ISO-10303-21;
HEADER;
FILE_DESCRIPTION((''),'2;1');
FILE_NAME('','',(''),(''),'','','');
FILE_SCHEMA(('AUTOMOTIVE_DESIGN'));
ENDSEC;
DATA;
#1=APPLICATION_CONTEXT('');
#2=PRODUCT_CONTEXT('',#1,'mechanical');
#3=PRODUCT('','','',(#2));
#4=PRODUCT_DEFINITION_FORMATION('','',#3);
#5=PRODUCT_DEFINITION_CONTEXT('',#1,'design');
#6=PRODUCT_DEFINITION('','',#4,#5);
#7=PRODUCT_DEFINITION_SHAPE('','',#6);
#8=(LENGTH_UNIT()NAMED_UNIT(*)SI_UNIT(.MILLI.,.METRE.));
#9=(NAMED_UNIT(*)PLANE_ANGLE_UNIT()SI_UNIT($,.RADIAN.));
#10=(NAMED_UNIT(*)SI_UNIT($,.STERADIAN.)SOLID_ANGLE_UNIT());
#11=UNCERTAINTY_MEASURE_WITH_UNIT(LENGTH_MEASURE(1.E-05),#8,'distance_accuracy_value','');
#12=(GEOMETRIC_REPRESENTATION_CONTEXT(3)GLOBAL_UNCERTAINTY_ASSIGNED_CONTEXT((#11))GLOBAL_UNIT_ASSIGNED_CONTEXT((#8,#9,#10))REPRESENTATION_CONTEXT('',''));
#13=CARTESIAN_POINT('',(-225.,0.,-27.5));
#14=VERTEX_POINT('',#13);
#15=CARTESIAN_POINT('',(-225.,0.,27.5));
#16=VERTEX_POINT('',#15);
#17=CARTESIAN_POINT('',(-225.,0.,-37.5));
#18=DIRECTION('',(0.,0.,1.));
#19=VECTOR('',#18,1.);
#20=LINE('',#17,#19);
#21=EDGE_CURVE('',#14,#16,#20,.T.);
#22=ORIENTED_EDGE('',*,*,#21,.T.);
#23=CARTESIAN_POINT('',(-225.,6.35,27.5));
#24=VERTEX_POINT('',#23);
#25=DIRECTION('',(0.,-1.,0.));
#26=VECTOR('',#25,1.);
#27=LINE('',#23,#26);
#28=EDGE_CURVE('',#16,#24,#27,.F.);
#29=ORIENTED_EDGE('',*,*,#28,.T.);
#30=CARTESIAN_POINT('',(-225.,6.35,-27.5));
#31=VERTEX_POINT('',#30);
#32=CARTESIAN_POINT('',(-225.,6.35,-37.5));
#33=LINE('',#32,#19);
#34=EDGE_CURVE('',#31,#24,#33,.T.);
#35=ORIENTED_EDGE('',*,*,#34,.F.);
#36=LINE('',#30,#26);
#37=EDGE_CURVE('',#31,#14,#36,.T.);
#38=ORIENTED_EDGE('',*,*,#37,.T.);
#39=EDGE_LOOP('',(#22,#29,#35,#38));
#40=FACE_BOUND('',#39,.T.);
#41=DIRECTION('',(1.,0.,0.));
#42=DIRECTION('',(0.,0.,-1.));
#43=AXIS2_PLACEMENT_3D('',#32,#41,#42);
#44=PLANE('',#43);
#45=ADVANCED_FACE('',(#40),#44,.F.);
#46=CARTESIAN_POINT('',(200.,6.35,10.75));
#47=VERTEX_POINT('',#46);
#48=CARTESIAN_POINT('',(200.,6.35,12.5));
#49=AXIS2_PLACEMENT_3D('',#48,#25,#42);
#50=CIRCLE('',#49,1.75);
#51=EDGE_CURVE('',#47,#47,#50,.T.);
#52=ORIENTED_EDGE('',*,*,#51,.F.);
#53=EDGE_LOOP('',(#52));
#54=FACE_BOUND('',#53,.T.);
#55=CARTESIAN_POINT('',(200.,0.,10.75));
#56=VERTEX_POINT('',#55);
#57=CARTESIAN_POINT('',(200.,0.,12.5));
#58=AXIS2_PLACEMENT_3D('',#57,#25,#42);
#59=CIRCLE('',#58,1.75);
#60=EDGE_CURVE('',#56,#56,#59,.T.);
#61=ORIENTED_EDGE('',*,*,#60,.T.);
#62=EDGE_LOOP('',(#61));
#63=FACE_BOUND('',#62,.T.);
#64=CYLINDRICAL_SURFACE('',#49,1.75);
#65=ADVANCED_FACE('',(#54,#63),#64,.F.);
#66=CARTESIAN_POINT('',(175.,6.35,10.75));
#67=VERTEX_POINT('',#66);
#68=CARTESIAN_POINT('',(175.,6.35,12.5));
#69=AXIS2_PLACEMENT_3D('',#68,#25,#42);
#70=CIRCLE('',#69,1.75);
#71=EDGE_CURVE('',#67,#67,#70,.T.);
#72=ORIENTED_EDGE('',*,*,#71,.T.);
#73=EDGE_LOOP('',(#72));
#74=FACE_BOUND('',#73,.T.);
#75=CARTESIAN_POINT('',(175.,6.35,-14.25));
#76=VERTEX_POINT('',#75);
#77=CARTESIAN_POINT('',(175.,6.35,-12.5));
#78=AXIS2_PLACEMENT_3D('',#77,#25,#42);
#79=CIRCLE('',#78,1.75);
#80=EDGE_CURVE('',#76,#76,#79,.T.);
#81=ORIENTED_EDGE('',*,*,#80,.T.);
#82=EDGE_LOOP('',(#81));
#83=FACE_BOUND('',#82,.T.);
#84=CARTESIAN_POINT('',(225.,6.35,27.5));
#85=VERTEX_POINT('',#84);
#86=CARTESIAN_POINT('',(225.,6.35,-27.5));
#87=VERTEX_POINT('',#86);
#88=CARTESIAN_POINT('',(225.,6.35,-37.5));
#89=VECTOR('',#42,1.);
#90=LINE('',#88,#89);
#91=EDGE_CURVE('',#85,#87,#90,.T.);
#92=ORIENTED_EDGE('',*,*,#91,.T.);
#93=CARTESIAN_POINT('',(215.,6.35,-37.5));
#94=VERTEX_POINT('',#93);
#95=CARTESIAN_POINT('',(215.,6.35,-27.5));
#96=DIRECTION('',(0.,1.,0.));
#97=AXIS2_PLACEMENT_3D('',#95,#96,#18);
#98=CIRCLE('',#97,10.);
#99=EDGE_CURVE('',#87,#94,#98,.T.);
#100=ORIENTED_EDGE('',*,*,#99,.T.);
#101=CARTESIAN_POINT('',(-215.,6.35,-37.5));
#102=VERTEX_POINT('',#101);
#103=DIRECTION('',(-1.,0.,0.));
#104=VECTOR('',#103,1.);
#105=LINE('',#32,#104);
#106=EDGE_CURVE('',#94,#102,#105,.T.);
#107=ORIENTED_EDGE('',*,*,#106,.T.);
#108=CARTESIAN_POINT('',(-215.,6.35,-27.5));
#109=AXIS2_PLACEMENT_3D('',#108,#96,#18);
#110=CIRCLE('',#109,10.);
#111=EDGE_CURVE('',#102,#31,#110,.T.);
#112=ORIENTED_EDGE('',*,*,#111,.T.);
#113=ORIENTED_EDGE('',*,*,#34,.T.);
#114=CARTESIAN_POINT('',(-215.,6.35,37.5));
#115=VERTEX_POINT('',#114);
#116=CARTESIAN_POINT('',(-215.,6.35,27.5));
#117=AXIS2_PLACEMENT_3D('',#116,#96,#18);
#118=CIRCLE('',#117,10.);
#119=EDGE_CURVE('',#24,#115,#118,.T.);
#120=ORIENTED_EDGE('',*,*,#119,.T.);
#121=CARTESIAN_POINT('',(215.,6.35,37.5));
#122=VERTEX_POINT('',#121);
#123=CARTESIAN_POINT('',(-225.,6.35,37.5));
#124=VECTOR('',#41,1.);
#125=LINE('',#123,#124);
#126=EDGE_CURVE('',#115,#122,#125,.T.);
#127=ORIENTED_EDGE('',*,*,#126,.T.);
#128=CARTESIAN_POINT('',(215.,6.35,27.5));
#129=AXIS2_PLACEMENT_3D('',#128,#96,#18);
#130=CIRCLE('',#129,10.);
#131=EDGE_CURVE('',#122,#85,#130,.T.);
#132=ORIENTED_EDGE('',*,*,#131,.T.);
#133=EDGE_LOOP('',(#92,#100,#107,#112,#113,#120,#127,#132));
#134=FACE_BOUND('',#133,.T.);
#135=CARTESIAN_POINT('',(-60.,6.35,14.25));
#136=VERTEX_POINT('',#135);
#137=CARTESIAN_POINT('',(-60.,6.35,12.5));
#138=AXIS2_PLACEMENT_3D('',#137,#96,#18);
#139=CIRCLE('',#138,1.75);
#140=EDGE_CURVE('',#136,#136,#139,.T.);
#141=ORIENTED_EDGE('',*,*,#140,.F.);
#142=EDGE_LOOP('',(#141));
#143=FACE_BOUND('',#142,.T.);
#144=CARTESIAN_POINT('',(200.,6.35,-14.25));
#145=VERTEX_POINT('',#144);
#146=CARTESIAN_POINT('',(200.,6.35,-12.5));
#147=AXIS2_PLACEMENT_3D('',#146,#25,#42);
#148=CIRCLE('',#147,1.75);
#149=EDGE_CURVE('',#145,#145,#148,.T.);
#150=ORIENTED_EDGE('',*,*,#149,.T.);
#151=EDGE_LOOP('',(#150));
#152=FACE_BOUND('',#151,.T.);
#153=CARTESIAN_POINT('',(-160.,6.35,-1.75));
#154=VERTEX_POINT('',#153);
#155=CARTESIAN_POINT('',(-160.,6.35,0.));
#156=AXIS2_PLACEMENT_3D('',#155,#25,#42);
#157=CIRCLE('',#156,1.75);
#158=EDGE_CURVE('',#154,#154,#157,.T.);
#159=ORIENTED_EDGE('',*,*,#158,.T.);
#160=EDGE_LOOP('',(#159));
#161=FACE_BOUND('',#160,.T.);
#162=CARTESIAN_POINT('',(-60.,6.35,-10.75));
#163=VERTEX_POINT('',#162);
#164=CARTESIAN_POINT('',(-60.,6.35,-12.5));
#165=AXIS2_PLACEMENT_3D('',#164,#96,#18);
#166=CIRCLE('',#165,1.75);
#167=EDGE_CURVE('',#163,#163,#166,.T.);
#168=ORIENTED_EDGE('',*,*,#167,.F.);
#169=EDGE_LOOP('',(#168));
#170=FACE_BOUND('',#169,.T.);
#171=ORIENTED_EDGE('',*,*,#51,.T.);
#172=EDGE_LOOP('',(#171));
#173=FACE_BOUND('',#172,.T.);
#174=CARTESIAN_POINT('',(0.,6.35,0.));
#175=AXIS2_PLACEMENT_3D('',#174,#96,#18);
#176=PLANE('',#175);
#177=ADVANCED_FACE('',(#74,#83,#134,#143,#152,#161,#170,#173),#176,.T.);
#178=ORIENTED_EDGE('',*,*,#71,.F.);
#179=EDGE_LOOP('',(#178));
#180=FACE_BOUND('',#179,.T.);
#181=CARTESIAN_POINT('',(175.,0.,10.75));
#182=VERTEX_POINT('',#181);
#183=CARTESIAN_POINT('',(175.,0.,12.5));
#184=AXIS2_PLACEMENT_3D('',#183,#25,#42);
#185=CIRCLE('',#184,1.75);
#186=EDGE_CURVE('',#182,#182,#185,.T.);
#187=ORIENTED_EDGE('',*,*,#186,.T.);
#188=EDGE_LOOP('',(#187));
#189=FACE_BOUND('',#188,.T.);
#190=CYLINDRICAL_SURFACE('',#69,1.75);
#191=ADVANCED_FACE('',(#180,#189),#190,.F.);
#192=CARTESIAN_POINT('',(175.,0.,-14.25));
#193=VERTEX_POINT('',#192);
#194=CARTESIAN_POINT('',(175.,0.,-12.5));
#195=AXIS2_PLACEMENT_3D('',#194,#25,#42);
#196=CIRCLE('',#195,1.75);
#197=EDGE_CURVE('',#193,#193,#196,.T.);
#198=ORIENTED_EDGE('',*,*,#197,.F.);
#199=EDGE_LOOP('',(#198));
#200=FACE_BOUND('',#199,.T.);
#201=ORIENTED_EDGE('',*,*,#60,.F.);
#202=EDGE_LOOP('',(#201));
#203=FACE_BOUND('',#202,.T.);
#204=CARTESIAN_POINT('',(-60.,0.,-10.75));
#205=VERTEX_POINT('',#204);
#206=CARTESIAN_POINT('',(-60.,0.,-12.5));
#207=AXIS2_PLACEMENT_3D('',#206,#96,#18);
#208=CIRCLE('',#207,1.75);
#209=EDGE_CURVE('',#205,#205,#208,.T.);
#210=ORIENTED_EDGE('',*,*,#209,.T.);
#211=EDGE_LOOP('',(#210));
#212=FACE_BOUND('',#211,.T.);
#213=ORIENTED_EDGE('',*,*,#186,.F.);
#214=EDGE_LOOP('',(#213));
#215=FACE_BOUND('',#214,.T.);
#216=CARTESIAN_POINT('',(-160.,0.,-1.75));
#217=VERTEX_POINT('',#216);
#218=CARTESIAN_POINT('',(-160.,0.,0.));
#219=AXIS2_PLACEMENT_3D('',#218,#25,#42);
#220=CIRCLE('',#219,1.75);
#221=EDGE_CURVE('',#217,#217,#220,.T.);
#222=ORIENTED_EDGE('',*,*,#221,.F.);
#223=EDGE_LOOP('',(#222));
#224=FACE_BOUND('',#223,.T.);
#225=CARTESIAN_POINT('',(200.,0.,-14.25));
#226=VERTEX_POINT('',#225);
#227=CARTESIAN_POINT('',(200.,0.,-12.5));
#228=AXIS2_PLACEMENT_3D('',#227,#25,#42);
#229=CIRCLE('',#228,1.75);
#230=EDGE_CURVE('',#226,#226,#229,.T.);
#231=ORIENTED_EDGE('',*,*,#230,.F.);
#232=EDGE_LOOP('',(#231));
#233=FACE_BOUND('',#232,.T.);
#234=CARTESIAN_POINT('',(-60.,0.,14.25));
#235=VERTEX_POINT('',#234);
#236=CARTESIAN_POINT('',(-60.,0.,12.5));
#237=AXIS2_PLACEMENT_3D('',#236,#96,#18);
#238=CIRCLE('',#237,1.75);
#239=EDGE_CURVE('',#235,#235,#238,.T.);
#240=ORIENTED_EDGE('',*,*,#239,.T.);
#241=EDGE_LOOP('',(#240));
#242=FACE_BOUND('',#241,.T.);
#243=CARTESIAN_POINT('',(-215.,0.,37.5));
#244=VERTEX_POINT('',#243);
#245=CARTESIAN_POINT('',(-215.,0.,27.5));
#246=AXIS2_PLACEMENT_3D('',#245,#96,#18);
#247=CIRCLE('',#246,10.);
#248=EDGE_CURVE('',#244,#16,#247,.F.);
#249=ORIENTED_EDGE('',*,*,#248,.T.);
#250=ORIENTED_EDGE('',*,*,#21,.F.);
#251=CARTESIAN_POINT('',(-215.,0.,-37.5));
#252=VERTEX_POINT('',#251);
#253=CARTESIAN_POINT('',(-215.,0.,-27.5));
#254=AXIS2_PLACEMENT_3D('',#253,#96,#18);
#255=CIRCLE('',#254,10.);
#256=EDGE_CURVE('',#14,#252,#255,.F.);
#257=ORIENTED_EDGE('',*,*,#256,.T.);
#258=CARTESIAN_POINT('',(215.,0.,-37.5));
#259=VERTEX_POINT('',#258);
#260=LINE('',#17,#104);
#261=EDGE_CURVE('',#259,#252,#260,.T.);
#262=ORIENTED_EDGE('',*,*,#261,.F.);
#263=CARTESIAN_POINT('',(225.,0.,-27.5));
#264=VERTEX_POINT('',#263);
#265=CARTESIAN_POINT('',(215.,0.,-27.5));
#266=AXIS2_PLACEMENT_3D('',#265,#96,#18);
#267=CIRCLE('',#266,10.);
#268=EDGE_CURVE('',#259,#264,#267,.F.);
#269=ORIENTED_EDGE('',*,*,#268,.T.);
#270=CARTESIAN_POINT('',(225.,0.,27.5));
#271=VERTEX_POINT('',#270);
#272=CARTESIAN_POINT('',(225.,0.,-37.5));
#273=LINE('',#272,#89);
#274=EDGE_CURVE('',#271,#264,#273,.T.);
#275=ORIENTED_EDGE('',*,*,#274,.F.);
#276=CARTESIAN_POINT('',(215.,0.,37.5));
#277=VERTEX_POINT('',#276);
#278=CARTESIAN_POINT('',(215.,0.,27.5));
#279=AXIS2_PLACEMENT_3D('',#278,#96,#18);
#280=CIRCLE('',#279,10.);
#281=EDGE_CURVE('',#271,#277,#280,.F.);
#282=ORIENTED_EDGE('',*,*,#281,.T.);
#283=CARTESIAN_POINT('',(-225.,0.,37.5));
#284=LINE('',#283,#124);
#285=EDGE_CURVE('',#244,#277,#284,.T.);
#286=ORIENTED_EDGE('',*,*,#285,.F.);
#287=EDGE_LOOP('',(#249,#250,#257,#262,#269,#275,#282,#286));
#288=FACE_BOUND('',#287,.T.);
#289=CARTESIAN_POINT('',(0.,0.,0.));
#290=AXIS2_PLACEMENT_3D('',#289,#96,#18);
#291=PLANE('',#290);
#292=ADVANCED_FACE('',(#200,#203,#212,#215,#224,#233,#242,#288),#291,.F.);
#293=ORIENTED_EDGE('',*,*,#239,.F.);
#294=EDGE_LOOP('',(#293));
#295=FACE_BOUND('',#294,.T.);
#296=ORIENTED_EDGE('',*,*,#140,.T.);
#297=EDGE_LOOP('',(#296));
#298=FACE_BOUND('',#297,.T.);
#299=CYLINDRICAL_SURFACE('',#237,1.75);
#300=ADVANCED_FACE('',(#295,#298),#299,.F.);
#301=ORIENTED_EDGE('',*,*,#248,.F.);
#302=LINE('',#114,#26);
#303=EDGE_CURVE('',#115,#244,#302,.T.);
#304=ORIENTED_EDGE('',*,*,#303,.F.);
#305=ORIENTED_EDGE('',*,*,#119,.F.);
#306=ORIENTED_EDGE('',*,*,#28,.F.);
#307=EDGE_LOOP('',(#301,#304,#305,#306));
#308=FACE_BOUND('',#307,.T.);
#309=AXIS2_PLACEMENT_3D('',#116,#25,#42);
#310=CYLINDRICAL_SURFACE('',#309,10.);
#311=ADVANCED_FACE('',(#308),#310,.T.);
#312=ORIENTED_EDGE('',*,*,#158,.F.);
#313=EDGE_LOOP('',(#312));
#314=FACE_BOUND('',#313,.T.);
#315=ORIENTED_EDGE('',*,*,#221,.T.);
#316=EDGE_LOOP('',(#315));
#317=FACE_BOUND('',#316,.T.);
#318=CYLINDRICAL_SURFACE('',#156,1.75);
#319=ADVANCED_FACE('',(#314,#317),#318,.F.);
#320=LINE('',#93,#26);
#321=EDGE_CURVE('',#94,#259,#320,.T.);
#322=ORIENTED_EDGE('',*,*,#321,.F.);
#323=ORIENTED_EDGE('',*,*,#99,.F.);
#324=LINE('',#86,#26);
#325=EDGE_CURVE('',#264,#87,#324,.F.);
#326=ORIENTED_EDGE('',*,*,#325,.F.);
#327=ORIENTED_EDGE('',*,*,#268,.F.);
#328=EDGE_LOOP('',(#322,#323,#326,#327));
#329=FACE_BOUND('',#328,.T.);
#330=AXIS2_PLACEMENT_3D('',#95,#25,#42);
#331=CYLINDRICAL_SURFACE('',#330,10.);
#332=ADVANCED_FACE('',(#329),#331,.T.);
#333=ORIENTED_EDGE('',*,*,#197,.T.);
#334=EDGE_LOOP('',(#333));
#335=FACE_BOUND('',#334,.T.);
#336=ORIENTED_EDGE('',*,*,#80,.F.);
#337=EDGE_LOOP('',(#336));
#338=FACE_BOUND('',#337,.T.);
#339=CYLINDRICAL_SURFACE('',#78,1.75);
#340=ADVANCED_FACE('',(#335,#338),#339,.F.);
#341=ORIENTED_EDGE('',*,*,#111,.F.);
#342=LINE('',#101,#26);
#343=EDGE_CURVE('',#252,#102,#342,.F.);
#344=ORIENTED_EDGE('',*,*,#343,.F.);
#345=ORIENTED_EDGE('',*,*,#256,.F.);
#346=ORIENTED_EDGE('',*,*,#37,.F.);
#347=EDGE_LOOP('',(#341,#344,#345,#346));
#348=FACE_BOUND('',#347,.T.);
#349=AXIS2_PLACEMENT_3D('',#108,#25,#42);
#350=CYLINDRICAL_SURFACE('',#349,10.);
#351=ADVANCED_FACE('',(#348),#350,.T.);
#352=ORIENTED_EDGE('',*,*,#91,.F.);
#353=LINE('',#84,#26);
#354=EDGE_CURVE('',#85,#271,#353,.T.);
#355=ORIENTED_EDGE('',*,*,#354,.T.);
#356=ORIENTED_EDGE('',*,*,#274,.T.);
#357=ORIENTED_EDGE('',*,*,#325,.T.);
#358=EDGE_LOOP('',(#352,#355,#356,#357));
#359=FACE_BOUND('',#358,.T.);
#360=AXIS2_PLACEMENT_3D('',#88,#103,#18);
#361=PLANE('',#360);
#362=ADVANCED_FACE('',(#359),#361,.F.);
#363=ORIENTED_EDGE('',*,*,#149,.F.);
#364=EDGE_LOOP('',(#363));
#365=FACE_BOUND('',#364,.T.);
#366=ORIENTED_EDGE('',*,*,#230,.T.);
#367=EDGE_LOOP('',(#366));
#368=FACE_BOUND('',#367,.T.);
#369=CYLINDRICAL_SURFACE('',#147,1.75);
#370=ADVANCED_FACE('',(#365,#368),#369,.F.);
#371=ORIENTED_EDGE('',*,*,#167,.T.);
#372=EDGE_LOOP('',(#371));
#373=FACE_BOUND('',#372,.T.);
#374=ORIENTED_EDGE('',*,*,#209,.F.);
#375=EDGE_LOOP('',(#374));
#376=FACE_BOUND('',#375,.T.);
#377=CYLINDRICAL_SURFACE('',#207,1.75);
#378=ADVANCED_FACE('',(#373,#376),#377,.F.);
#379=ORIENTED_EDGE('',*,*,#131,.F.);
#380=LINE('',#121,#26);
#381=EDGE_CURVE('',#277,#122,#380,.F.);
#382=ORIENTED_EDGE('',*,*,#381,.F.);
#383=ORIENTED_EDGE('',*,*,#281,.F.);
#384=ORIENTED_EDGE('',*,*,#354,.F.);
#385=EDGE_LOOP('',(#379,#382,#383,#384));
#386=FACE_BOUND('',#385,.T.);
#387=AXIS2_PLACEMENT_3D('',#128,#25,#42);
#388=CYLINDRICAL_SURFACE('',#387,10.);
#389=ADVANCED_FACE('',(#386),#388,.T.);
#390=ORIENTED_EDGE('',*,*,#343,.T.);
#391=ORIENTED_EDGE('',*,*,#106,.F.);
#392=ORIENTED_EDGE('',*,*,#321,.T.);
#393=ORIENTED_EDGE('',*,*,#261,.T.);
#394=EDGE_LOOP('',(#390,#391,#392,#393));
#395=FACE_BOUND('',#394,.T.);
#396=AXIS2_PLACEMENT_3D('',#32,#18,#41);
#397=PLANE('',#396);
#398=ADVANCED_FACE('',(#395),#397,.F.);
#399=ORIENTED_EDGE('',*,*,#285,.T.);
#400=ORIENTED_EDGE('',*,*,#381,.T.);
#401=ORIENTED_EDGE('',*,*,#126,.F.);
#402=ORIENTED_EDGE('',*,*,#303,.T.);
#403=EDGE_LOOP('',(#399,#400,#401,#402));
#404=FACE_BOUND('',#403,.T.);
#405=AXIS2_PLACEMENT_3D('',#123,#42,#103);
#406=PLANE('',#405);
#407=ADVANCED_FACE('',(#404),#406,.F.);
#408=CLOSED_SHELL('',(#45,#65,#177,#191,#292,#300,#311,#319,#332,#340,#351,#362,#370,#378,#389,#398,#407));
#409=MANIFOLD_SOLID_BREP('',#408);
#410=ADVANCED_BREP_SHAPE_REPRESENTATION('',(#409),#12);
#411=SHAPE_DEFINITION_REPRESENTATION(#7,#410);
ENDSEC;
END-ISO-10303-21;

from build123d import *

# Parameters (mm, degrees)
SKETCH12_W                = 450
SKETCH12_H                = 75
BOSS_EXTRUDE2_DEPTH       = 6.35
SKETCH13_R                = 1.75
CUT_EXTRUDE1_DEPTH        = 7.35
LPATTERN1_COUNT           = 2
LPATTERN1_PITCH           = 25
LPATTERN2_COUNT           = 2
LPATTERN2_PITCH           = 25
LPATTERN2_COPY_1_SKETCH_R = 1.75
LPATTERN2_COPY_1_DEPTH    = 7.35
SKETCH15_R                = 1.75
CUT_EXTRUDE2_DEPTH        = 7.35
FILLET1_R                 = 10
SKETCH17_R                = 1.75
CUT_EXTRUDE3_DEPTH        = 7.35


with BuildPart() as part:
    # Sketch12 → Boss-Extrude2 (new body)
    with BuildSketch(Plane(origin=(0, 0, 0), x_dir=(1, 0, 0), z_dir=(0, 1, 0))):
        Rectangle(SKETCH12_W, SKETCH12_H)
    extrude(amount=BOSS_EXTRUDE2_DEPTH)

    # Sketch13 → Cut-Extrude1 (cut, through all)
    with BuildSketch(Plane.XZ):
        with Locations((175, -12.5)):
            Circle(SKETCH13_R)
    cut_extrude1 = extrude(amount=-CUT_EXTRUDE1_DEPTH, mode=Mode.SUBTRACT)

    # LPattern1: Cut-Extrude1 ×2
    with Locations(*[(i * LPATTERN1_PITCH, 0, 0) for i in range(1, LPATTERN1_COUNT)]):
        add(cut_extrude1, mode=Mode.SUBTRACT)

    # LPattern2: Cut-Extrude1 ×2
    with Locations(*[(0, 0, i * LPATTERN2_PITCH) for i in range(1, LPATTERN2_COUNT)]):
        add(cut_extrude1, mode=Mode.SUBTRACT)

    # LPattern2 copy 1 sketch → LPattern2 copy 1 (cut, through all)
    with BuildSketch(Plane(origin=(25, 0, 25), x_dir=(1, 0, 0), z_dir=(0, -1, 0))):
        with Locations((175, -12.5)):
            Circle(LPATTERN2_COPY_1_SKETCH_R)
    extrude(amount=-LPATTERN2_COPY_1_DEPTH, mode=Mode.SUBTRACT)

    # Sketch15 → Cut-Extrude2 (cut, through all)
    with BuildSketch(Plane.XZ):
        with Locations((-160, 0)):
            Circle(SKETCH15_R)
    extrude(amount=-CUT_EXTRUDE2_DEPTH, mode=Mode.SUBTRACT)

    # Fillet1
    fillet1_edges = [part.edges().sort_by_distance(p)[0] for p in [
        (225, 3.175, 37.5),
        (-225, 3.175, 37.5),
        (-225, 3.175, -37.5),
        (225, 3.175, -37.5),
    ]]
    fillet(fillet1_edges, radius=FILLET1_R)

    # Sketch17 → Cut-Extrude3 (cut, through all)
    with BuildSketch(Plane(origin=(0, 6.35, 0), x_dir=(1, 0, 0), z_dir=(0, 1, 0))):
        with Locations((-60, 12.5)):
            Circle(SKETCH17_R)
        with Locations((-60, -12.5)):
            Circle(SKETCH17_R)
    extrude(amount=-CUT_EXTRUDE3_DEPTH, mode=Mode.SUBTRACT)


solid = part.part
